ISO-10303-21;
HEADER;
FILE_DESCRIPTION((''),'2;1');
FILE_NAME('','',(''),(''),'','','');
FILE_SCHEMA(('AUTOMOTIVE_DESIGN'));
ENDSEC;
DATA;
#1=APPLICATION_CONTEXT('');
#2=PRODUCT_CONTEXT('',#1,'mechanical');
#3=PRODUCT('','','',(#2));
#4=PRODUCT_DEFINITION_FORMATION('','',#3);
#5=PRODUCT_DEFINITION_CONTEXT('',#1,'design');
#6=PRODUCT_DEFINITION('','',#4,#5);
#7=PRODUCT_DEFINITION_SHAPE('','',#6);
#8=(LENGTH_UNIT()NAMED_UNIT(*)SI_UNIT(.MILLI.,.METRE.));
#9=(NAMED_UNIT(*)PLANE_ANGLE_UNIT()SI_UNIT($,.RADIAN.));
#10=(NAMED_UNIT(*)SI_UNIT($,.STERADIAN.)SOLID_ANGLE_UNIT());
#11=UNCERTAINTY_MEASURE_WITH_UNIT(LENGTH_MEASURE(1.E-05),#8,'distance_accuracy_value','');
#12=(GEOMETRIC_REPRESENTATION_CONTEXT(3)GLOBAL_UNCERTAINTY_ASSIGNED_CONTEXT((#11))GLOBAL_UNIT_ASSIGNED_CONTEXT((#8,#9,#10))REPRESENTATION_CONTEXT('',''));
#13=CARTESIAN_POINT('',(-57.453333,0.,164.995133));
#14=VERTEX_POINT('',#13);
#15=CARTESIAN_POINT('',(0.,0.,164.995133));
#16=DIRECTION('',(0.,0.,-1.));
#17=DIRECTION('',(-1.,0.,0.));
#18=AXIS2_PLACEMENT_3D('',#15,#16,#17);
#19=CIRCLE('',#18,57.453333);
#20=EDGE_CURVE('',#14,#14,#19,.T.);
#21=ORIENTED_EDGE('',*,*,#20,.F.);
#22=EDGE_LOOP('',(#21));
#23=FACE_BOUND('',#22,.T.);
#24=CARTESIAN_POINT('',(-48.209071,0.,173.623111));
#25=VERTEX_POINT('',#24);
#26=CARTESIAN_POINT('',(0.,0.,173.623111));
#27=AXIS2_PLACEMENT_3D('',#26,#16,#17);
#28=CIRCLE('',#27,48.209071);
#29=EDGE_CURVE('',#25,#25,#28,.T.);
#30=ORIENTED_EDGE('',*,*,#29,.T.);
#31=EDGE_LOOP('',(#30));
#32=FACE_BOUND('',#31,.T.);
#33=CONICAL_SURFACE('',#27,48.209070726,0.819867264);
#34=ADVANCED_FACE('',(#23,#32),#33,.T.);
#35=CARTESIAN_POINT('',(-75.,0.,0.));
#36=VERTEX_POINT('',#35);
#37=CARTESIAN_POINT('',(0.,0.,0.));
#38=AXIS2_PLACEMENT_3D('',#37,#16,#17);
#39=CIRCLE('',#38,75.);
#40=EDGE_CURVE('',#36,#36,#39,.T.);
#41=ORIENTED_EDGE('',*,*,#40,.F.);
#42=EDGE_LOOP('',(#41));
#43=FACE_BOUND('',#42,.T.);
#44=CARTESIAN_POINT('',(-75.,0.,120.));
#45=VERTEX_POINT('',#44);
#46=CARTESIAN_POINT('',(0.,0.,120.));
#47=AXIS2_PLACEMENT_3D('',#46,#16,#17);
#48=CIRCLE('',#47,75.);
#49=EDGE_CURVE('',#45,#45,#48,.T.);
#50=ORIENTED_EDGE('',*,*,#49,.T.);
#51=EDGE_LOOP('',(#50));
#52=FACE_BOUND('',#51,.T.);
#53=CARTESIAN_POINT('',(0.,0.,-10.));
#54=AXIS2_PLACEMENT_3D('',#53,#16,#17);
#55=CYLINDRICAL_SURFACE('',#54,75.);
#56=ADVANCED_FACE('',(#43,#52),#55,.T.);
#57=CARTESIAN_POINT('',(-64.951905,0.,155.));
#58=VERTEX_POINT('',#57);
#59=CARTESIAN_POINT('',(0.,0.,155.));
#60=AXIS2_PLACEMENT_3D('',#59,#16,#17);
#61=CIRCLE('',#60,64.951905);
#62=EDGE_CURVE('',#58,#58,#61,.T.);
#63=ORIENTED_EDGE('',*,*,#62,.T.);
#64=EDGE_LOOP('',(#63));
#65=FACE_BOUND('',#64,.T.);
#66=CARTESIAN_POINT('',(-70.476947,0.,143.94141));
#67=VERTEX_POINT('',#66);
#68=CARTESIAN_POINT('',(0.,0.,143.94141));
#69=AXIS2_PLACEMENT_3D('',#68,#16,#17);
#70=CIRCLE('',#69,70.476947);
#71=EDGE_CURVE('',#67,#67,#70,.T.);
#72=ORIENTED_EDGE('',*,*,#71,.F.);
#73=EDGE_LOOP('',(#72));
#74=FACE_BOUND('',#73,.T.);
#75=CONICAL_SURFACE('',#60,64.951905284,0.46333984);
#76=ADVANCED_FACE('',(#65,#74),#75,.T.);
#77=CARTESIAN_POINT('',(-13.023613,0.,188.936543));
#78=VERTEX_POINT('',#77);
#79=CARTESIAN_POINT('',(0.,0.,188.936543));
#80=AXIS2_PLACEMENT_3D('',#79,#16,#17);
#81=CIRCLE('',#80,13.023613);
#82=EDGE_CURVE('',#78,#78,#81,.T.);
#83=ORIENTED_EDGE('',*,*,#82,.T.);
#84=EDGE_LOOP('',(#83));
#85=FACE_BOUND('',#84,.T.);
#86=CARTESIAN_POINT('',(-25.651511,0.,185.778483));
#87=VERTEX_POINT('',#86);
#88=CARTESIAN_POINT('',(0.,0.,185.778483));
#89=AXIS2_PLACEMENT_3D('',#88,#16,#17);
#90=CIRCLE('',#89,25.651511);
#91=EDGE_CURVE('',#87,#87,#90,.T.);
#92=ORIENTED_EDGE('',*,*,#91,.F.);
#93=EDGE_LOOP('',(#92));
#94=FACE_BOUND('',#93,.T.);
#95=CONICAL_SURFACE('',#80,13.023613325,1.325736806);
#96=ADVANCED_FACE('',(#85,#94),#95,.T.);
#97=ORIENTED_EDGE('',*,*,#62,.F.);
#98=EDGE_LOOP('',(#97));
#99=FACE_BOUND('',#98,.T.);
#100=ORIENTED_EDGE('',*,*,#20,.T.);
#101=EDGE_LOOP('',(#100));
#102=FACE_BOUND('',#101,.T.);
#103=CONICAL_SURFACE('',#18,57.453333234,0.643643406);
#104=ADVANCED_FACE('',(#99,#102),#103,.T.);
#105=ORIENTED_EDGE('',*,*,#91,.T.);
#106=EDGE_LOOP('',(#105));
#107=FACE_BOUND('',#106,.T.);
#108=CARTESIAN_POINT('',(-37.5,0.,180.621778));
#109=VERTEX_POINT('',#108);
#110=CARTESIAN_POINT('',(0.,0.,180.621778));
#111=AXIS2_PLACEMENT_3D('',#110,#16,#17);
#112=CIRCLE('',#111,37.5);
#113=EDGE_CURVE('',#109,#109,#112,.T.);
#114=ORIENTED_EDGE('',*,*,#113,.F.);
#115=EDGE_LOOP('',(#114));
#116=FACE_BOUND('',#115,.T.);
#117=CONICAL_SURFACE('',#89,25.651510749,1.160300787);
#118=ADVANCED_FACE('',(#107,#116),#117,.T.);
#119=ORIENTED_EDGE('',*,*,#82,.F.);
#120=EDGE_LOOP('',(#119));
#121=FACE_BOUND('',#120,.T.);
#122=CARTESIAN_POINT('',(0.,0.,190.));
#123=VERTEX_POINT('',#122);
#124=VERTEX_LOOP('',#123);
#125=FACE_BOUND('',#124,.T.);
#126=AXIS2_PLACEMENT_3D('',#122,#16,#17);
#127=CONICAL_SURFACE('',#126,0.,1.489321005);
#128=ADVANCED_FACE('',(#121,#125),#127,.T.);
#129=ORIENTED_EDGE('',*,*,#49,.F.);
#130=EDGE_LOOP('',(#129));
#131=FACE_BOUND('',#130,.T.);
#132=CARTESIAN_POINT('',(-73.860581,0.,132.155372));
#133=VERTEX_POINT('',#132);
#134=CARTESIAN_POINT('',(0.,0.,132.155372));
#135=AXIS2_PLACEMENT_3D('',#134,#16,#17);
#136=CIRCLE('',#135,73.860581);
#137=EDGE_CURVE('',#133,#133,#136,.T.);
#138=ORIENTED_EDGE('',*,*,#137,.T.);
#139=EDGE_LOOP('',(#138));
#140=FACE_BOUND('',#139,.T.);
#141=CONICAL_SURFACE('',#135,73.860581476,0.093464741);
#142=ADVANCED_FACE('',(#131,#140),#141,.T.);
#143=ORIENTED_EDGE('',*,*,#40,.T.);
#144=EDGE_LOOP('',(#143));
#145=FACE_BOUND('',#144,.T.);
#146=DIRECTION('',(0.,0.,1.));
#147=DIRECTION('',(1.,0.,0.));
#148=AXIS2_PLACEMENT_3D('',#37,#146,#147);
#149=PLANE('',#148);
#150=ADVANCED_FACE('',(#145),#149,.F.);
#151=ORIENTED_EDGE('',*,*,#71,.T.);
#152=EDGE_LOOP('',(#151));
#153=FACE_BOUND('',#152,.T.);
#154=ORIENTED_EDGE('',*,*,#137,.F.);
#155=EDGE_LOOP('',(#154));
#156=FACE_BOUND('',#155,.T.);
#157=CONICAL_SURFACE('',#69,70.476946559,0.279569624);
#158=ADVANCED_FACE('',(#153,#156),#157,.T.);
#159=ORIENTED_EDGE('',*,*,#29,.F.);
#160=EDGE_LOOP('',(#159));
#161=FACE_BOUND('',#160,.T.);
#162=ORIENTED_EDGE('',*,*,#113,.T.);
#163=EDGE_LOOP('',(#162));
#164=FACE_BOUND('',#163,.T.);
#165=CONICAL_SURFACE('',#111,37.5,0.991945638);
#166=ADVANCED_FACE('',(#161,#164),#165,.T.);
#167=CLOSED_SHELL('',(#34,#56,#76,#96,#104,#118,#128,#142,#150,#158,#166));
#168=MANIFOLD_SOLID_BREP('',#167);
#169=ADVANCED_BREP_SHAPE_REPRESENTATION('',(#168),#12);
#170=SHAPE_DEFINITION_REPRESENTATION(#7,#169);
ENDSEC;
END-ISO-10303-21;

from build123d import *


with BuildPart() as part:
    # Sketch1 → Revolve1 (revolve)
    with BuildSketch(Plane(origin=(0, 0, 0), x_dir=(-1, 0, 0), z_dir=(0, 1, 0)), mode=Mode.PRIVATE) as revolve1_sk:
        Polygon((0, 0), (-75, 0), (-75, 120), (-73.860581476, 132.155372437), (-70.476946559, 143.941410033), (-64.951905284, 155), (-57.453333234, 164.995132678), (-48.209070726, 173.623111018), (-37.5, 180.621778265), (-25.651510749, 185.778483455), (-13.023613325, 188.936542711), (0, 190), align=None)
    revolve(revolve1_sk.sketch.rotate(Axis((0, 0, -10), (0, 0, 1)), 180), axis=Axis((0, 0, -10), (0, 0, 1)))


solid = part.part
